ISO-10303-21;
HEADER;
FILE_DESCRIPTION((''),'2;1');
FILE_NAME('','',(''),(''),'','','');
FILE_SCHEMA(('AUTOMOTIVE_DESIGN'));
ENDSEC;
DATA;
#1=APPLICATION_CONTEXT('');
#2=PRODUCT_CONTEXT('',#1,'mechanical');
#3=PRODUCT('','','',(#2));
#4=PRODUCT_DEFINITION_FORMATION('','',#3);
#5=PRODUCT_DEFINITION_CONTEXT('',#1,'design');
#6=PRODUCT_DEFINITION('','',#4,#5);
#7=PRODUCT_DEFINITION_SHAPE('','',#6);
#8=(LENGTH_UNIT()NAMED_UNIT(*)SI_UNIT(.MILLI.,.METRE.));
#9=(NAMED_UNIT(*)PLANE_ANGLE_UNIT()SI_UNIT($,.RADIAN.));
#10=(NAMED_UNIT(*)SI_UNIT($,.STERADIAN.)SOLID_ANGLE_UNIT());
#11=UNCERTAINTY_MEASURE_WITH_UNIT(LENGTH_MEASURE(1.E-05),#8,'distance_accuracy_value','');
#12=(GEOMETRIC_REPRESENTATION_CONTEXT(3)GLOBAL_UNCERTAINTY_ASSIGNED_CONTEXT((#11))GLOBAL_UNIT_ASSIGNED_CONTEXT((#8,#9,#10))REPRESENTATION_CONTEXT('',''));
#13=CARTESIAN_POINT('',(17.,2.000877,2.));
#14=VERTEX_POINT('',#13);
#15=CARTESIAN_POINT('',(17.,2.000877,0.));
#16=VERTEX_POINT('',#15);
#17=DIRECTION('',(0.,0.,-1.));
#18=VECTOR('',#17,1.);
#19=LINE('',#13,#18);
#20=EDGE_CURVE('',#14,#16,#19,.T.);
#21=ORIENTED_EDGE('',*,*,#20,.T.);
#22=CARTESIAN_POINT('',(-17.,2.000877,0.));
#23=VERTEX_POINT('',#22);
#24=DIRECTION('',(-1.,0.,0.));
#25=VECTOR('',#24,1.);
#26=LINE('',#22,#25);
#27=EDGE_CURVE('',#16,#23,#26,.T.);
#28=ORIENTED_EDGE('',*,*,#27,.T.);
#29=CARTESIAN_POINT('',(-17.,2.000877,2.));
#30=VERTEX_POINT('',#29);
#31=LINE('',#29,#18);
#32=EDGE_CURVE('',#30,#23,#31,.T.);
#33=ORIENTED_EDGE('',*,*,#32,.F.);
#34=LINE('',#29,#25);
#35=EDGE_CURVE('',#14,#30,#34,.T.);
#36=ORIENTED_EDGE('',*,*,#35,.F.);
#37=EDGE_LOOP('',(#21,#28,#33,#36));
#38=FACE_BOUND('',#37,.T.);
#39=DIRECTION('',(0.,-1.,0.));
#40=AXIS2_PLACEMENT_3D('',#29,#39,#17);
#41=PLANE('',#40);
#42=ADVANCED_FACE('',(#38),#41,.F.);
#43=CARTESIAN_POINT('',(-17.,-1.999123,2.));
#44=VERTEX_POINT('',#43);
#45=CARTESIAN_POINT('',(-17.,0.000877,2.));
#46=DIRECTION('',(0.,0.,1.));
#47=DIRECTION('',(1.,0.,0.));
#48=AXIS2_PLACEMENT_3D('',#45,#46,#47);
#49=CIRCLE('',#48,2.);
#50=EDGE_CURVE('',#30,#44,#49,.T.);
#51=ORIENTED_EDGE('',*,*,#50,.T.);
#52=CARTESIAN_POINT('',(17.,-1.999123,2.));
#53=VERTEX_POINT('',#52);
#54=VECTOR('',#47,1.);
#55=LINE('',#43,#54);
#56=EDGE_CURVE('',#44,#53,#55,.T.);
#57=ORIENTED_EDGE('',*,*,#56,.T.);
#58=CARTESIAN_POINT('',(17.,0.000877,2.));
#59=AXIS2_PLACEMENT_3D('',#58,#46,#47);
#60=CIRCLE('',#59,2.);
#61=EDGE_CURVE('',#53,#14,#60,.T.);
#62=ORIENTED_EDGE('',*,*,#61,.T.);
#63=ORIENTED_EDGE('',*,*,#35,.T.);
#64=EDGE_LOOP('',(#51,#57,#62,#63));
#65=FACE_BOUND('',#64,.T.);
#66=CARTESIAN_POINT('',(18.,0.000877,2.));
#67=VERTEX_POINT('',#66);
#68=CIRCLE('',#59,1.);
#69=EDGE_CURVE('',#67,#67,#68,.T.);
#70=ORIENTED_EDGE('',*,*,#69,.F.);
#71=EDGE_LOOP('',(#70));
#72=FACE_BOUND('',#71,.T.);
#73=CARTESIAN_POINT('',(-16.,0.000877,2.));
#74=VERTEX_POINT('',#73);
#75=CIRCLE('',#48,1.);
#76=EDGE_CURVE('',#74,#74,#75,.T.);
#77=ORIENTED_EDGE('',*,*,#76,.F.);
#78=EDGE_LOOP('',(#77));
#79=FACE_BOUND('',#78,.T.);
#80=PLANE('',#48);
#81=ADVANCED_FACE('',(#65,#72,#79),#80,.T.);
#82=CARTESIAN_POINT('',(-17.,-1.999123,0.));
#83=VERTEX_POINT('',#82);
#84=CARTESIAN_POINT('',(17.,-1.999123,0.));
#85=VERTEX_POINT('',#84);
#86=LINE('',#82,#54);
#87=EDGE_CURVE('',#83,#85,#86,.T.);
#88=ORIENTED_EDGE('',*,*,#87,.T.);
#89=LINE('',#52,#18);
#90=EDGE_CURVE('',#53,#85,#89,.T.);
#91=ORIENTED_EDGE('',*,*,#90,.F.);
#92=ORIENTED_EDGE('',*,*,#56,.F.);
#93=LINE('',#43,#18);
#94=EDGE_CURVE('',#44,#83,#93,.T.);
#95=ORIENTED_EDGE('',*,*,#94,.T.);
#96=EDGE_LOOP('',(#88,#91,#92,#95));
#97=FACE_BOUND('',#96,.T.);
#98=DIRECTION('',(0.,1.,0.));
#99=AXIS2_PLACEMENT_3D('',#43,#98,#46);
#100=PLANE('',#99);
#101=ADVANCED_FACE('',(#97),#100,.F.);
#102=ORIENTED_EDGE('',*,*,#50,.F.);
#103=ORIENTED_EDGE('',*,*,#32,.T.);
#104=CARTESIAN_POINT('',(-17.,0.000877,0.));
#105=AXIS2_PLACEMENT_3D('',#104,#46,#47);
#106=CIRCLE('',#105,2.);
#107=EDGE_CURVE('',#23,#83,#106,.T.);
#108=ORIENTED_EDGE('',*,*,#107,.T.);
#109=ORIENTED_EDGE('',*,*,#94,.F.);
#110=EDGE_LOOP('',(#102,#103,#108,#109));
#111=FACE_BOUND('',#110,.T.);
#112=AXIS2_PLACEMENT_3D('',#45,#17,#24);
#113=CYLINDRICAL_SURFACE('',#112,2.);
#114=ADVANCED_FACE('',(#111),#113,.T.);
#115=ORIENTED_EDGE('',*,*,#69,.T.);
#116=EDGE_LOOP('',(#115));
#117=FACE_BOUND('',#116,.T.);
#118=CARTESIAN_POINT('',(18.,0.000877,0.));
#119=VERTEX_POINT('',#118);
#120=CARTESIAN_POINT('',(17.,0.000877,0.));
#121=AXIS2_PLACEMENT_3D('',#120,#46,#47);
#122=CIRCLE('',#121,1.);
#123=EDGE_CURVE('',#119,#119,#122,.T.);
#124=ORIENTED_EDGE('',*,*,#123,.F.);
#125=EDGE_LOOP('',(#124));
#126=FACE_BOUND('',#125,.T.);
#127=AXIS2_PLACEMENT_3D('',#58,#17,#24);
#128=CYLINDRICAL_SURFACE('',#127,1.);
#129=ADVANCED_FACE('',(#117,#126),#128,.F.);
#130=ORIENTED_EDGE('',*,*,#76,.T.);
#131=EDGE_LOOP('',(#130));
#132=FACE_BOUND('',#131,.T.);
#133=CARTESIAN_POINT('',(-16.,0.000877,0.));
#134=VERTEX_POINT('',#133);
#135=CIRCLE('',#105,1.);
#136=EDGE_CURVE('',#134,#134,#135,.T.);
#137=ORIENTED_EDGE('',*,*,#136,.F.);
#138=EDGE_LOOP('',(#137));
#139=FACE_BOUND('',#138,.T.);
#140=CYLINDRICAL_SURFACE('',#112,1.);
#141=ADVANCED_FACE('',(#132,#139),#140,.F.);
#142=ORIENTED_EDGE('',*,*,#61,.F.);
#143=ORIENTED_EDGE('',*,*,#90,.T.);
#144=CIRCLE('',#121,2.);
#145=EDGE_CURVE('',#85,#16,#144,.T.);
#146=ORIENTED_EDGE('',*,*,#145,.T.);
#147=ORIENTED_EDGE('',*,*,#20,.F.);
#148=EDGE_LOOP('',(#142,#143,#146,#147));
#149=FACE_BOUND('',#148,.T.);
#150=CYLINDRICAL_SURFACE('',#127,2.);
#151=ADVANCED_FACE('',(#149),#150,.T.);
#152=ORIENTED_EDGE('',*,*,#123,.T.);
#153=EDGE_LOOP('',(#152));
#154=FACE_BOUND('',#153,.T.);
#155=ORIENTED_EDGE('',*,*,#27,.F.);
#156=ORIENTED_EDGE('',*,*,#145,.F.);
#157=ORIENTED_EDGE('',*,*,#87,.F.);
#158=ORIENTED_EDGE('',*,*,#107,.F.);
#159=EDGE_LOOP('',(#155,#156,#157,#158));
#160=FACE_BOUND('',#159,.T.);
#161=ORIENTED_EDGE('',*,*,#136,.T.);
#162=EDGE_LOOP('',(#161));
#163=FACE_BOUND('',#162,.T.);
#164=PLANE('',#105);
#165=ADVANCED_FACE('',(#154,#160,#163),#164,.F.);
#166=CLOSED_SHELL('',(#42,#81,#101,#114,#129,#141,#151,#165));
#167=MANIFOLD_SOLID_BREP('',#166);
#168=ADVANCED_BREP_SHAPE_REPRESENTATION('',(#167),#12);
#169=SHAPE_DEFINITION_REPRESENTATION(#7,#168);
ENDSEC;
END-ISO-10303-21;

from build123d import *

# Parameters (mm, degrees)
SKETCH_1_R      = 1
EXTRUDE_1_DEPTH = 2


with BuildPart() as part:
    # 草圖1 → 填料-伸長1 (new body)
    with BuildSketch(Plane.XY):
        with BuildLine():
            Line((-16.999999977, 2.000877158), (17.000000023, 2.000877158))
            ThreePointArc((17.000000023, 2.000877158), (19.000000023, 0.000877158), (17.000000023, -1.999122842))
            Line((17.000000023, -1.999122842), (-16.999999977, -1.999122842))
            ThreePointArc((-16.999999977, -1.999122842), (-18.999999977, 0.000877158), (-16.999999977, 2.000877158))
        make_face()
        with Locations((-16.999999977, 0.000877158)):
            Circle(SKETCH_1_R, mode=Mode.SUBTRACT)
        with Locations((17.000000023, 0.000877158)):
            Circle(SKETCH_1_R, mode=Mode.SUBTRACT)
    extrude(amount=EXTRUDE_1_DEPTH)


solid = part.part
